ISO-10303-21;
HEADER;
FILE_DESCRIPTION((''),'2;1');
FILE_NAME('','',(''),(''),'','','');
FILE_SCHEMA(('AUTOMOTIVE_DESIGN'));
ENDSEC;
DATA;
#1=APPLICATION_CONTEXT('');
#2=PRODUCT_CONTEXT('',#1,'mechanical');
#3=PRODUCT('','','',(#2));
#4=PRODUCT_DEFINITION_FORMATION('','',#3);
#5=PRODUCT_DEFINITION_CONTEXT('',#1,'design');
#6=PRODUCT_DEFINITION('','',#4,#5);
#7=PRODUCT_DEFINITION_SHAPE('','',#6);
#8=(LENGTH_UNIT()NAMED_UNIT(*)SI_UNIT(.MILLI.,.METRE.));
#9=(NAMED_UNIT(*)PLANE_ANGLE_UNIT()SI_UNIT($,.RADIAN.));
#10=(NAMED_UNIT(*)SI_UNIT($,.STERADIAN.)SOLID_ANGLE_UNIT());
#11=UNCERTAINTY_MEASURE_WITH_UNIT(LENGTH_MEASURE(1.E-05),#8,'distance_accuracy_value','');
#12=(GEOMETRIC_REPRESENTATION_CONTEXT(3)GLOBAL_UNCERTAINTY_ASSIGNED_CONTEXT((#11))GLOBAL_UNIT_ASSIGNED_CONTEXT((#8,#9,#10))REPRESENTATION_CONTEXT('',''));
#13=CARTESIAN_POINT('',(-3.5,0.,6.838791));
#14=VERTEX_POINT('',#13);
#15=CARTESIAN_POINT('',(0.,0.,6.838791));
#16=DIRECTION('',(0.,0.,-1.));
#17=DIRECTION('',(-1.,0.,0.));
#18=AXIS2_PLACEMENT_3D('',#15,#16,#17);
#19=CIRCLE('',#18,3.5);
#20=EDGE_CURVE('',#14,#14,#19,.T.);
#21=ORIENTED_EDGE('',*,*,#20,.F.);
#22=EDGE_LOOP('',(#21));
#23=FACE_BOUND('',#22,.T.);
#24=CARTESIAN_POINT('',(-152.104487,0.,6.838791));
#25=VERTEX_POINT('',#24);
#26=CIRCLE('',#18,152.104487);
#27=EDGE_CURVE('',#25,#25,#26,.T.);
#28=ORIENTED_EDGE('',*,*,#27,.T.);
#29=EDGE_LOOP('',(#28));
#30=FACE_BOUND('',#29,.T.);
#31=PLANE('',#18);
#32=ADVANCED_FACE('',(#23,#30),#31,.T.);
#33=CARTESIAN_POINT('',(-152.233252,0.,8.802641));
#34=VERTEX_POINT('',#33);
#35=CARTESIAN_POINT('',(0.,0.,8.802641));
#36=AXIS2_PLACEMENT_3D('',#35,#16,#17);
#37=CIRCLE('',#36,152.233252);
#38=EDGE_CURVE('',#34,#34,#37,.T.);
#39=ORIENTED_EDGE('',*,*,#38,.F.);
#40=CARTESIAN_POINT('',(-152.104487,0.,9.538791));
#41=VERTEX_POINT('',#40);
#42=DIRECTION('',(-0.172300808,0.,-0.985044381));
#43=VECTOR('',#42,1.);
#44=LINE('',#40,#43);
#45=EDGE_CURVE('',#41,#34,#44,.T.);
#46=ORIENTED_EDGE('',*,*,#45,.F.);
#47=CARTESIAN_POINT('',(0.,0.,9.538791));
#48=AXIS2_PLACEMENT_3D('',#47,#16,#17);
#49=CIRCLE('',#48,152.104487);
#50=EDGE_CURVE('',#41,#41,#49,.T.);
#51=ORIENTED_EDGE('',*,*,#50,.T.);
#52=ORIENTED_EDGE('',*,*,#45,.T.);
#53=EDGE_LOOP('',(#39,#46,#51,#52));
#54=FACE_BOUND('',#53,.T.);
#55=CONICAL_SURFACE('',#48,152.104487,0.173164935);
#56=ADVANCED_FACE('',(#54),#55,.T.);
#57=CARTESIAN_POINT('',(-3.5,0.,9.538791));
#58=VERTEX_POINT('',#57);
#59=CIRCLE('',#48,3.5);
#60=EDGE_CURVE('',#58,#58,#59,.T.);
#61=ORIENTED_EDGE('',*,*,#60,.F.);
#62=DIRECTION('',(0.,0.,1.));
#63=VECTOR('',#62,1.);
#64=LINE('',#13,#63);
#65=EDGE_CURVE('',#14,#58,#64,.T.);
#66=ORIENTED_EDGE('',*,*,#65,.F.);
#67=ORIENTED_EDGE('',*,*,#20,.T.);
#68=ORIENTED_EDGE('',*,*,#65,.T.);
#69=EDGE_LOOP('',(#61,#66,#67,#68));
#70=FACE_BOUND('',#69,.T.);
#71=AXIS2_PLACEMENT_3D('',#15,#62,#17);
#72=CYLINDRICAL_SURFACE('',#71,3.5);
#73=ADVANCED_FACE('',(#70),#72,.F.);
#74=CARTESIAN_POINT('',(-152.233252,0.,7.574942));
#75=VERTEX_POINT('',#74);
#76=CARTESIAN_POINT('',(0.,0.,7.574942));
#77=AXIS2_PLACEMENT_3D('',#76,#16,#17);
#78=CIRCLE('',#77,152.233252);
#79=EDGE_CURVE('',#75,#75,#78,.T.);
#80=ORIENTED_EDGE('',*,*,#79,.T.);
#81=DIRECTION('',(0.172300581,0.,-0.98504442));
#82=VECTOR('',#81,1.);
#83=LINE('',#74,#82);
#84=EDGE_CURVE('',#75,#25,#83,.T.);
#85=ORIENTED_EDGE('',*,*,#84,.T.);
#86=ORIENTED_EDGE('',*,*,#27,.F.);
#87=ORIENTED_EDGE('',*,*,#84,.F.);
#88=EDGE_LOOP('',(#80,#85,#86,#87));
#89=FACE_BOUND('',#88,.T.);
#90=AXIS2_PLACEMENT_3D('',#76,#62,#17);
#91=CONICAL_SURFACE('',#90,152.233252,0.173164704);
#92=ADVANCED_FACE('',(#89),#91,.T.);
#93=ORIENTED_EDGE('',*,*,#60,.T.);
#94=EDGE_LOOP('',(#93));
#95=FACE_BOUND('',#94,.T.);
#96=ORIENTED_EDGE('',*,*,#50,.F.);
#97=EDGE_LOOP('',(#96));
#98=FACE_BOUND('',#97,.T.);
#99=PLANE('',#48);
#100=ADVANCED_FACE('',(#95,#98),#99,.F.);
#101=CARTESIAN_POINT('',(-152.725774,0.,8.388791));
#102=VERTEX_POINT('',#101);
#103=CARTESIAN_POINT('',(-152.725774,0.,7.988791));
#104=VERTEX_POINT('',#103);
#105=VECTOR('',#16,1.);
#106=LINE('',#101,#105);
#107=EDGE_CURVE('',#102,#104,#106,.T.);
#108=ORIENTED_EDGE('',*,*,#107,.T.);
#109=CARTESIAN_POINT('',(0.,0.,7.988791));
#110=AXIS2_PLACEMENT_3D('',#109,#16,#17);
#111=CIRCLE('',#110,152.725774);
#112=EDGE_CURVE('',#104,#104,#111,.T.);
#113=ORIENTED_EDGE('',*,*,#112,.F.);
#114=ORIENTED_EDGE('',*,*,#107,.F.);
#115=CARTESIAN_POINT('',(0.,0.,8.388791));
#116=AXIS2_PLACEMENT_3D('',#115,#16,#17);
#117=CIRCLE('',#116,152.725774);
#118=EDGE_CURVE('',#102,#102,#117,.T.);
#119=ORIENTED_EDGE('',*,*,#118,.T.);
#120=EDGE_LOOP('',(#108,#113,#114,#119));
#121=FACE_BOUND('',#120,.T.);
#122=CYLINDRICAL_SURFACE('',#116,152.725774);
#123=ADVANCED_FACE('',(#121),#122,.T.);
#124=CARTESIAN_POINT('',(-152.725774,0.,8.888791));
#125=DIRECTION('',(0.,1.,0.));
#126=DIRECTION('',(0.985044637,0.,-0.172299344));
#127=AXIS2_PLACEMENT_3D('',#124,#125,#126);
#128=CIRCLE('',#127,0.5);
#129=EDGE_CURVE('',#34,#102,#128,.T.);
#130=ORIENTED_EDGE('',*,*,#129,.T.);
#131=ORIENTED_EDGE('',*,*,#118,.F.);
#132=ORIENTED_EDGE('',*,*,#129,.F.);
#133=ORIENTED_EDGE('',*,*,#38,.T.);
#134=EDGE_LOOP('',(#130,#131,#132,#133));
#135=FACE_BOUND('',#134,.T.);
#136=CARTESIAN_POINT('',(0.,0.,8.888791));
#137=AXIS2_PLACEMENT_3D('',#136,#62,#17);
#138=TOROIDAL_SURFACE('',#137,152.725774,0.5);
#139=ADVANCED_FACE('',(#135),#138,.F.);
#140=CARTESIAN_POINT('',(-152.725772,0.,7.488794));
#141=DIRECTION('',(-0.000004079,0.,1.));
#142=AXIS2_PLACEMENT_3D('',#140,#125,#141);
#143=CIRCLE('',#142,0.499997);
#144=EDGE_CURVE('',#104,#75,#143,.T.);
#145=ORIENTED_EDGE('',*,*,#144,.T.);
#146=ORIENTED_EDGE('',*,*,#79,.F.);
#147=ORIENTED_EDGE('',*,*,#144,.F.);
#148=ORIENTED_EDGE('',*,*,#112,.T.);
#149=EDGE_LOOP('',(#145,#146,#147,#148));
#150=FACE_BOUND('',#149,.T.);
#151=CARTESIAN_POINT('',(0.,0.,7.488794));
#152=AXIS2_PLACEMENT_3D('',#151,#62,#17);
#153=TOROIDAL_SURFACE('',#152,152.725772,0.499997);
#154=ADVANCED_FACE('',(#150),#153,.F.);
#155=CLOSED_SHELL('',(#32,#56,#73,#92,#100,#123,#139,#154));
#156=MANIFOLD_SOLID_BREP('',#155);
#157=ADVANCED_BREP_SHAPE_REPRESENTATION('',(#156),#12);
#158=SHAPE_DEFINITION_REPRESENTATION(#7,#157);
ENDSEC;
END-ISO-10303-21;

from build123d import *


with BuildPart() as f1:
    # F0 (on Front) → F1 (revolve)
    with BuildSketch(Plane.XZ):
        with BuildLine():
            Line((-20.309017, 6.838791), (-20.181025, 6.838791))
            Line((-20.181025, 6.838791), (-3.5, 6.838791))
            Line((-3.5, 6.838791), (-3.5, 9.538791))
            Line((-3.5, 9.538791), (-20.181025, 9.538791))
            Line((-20.181025, 9.538791), (-20.309017, 9.538791))
            Line((-20.309017, 9.538791), (-152.104487, 9.538791))
            Line((-152.104487, 9.538791), (-152.233252, 8.802641))
            ThreePointArc((-152.233252, 8.802641), (-152.404118, 8.505989), (-152.725774, 8.388791))
            Line((-152.725774, 8.388791), (-152.725774, 7.988791))
            ThreePointArc((-152.725774, 7.988791), (-152.404118, 7.871594), (-152.233252, 7.574942))
            Line((-152.233252, 7.574942), (-152.104487, 6.838791))
            Line((-152.104487, 6.838791), (-20.309017, 6.838791))
        make_face()
    revolve(axis=Axis((0, 0, -43.787105), (0, 0, -1)))


solid = f1.part
